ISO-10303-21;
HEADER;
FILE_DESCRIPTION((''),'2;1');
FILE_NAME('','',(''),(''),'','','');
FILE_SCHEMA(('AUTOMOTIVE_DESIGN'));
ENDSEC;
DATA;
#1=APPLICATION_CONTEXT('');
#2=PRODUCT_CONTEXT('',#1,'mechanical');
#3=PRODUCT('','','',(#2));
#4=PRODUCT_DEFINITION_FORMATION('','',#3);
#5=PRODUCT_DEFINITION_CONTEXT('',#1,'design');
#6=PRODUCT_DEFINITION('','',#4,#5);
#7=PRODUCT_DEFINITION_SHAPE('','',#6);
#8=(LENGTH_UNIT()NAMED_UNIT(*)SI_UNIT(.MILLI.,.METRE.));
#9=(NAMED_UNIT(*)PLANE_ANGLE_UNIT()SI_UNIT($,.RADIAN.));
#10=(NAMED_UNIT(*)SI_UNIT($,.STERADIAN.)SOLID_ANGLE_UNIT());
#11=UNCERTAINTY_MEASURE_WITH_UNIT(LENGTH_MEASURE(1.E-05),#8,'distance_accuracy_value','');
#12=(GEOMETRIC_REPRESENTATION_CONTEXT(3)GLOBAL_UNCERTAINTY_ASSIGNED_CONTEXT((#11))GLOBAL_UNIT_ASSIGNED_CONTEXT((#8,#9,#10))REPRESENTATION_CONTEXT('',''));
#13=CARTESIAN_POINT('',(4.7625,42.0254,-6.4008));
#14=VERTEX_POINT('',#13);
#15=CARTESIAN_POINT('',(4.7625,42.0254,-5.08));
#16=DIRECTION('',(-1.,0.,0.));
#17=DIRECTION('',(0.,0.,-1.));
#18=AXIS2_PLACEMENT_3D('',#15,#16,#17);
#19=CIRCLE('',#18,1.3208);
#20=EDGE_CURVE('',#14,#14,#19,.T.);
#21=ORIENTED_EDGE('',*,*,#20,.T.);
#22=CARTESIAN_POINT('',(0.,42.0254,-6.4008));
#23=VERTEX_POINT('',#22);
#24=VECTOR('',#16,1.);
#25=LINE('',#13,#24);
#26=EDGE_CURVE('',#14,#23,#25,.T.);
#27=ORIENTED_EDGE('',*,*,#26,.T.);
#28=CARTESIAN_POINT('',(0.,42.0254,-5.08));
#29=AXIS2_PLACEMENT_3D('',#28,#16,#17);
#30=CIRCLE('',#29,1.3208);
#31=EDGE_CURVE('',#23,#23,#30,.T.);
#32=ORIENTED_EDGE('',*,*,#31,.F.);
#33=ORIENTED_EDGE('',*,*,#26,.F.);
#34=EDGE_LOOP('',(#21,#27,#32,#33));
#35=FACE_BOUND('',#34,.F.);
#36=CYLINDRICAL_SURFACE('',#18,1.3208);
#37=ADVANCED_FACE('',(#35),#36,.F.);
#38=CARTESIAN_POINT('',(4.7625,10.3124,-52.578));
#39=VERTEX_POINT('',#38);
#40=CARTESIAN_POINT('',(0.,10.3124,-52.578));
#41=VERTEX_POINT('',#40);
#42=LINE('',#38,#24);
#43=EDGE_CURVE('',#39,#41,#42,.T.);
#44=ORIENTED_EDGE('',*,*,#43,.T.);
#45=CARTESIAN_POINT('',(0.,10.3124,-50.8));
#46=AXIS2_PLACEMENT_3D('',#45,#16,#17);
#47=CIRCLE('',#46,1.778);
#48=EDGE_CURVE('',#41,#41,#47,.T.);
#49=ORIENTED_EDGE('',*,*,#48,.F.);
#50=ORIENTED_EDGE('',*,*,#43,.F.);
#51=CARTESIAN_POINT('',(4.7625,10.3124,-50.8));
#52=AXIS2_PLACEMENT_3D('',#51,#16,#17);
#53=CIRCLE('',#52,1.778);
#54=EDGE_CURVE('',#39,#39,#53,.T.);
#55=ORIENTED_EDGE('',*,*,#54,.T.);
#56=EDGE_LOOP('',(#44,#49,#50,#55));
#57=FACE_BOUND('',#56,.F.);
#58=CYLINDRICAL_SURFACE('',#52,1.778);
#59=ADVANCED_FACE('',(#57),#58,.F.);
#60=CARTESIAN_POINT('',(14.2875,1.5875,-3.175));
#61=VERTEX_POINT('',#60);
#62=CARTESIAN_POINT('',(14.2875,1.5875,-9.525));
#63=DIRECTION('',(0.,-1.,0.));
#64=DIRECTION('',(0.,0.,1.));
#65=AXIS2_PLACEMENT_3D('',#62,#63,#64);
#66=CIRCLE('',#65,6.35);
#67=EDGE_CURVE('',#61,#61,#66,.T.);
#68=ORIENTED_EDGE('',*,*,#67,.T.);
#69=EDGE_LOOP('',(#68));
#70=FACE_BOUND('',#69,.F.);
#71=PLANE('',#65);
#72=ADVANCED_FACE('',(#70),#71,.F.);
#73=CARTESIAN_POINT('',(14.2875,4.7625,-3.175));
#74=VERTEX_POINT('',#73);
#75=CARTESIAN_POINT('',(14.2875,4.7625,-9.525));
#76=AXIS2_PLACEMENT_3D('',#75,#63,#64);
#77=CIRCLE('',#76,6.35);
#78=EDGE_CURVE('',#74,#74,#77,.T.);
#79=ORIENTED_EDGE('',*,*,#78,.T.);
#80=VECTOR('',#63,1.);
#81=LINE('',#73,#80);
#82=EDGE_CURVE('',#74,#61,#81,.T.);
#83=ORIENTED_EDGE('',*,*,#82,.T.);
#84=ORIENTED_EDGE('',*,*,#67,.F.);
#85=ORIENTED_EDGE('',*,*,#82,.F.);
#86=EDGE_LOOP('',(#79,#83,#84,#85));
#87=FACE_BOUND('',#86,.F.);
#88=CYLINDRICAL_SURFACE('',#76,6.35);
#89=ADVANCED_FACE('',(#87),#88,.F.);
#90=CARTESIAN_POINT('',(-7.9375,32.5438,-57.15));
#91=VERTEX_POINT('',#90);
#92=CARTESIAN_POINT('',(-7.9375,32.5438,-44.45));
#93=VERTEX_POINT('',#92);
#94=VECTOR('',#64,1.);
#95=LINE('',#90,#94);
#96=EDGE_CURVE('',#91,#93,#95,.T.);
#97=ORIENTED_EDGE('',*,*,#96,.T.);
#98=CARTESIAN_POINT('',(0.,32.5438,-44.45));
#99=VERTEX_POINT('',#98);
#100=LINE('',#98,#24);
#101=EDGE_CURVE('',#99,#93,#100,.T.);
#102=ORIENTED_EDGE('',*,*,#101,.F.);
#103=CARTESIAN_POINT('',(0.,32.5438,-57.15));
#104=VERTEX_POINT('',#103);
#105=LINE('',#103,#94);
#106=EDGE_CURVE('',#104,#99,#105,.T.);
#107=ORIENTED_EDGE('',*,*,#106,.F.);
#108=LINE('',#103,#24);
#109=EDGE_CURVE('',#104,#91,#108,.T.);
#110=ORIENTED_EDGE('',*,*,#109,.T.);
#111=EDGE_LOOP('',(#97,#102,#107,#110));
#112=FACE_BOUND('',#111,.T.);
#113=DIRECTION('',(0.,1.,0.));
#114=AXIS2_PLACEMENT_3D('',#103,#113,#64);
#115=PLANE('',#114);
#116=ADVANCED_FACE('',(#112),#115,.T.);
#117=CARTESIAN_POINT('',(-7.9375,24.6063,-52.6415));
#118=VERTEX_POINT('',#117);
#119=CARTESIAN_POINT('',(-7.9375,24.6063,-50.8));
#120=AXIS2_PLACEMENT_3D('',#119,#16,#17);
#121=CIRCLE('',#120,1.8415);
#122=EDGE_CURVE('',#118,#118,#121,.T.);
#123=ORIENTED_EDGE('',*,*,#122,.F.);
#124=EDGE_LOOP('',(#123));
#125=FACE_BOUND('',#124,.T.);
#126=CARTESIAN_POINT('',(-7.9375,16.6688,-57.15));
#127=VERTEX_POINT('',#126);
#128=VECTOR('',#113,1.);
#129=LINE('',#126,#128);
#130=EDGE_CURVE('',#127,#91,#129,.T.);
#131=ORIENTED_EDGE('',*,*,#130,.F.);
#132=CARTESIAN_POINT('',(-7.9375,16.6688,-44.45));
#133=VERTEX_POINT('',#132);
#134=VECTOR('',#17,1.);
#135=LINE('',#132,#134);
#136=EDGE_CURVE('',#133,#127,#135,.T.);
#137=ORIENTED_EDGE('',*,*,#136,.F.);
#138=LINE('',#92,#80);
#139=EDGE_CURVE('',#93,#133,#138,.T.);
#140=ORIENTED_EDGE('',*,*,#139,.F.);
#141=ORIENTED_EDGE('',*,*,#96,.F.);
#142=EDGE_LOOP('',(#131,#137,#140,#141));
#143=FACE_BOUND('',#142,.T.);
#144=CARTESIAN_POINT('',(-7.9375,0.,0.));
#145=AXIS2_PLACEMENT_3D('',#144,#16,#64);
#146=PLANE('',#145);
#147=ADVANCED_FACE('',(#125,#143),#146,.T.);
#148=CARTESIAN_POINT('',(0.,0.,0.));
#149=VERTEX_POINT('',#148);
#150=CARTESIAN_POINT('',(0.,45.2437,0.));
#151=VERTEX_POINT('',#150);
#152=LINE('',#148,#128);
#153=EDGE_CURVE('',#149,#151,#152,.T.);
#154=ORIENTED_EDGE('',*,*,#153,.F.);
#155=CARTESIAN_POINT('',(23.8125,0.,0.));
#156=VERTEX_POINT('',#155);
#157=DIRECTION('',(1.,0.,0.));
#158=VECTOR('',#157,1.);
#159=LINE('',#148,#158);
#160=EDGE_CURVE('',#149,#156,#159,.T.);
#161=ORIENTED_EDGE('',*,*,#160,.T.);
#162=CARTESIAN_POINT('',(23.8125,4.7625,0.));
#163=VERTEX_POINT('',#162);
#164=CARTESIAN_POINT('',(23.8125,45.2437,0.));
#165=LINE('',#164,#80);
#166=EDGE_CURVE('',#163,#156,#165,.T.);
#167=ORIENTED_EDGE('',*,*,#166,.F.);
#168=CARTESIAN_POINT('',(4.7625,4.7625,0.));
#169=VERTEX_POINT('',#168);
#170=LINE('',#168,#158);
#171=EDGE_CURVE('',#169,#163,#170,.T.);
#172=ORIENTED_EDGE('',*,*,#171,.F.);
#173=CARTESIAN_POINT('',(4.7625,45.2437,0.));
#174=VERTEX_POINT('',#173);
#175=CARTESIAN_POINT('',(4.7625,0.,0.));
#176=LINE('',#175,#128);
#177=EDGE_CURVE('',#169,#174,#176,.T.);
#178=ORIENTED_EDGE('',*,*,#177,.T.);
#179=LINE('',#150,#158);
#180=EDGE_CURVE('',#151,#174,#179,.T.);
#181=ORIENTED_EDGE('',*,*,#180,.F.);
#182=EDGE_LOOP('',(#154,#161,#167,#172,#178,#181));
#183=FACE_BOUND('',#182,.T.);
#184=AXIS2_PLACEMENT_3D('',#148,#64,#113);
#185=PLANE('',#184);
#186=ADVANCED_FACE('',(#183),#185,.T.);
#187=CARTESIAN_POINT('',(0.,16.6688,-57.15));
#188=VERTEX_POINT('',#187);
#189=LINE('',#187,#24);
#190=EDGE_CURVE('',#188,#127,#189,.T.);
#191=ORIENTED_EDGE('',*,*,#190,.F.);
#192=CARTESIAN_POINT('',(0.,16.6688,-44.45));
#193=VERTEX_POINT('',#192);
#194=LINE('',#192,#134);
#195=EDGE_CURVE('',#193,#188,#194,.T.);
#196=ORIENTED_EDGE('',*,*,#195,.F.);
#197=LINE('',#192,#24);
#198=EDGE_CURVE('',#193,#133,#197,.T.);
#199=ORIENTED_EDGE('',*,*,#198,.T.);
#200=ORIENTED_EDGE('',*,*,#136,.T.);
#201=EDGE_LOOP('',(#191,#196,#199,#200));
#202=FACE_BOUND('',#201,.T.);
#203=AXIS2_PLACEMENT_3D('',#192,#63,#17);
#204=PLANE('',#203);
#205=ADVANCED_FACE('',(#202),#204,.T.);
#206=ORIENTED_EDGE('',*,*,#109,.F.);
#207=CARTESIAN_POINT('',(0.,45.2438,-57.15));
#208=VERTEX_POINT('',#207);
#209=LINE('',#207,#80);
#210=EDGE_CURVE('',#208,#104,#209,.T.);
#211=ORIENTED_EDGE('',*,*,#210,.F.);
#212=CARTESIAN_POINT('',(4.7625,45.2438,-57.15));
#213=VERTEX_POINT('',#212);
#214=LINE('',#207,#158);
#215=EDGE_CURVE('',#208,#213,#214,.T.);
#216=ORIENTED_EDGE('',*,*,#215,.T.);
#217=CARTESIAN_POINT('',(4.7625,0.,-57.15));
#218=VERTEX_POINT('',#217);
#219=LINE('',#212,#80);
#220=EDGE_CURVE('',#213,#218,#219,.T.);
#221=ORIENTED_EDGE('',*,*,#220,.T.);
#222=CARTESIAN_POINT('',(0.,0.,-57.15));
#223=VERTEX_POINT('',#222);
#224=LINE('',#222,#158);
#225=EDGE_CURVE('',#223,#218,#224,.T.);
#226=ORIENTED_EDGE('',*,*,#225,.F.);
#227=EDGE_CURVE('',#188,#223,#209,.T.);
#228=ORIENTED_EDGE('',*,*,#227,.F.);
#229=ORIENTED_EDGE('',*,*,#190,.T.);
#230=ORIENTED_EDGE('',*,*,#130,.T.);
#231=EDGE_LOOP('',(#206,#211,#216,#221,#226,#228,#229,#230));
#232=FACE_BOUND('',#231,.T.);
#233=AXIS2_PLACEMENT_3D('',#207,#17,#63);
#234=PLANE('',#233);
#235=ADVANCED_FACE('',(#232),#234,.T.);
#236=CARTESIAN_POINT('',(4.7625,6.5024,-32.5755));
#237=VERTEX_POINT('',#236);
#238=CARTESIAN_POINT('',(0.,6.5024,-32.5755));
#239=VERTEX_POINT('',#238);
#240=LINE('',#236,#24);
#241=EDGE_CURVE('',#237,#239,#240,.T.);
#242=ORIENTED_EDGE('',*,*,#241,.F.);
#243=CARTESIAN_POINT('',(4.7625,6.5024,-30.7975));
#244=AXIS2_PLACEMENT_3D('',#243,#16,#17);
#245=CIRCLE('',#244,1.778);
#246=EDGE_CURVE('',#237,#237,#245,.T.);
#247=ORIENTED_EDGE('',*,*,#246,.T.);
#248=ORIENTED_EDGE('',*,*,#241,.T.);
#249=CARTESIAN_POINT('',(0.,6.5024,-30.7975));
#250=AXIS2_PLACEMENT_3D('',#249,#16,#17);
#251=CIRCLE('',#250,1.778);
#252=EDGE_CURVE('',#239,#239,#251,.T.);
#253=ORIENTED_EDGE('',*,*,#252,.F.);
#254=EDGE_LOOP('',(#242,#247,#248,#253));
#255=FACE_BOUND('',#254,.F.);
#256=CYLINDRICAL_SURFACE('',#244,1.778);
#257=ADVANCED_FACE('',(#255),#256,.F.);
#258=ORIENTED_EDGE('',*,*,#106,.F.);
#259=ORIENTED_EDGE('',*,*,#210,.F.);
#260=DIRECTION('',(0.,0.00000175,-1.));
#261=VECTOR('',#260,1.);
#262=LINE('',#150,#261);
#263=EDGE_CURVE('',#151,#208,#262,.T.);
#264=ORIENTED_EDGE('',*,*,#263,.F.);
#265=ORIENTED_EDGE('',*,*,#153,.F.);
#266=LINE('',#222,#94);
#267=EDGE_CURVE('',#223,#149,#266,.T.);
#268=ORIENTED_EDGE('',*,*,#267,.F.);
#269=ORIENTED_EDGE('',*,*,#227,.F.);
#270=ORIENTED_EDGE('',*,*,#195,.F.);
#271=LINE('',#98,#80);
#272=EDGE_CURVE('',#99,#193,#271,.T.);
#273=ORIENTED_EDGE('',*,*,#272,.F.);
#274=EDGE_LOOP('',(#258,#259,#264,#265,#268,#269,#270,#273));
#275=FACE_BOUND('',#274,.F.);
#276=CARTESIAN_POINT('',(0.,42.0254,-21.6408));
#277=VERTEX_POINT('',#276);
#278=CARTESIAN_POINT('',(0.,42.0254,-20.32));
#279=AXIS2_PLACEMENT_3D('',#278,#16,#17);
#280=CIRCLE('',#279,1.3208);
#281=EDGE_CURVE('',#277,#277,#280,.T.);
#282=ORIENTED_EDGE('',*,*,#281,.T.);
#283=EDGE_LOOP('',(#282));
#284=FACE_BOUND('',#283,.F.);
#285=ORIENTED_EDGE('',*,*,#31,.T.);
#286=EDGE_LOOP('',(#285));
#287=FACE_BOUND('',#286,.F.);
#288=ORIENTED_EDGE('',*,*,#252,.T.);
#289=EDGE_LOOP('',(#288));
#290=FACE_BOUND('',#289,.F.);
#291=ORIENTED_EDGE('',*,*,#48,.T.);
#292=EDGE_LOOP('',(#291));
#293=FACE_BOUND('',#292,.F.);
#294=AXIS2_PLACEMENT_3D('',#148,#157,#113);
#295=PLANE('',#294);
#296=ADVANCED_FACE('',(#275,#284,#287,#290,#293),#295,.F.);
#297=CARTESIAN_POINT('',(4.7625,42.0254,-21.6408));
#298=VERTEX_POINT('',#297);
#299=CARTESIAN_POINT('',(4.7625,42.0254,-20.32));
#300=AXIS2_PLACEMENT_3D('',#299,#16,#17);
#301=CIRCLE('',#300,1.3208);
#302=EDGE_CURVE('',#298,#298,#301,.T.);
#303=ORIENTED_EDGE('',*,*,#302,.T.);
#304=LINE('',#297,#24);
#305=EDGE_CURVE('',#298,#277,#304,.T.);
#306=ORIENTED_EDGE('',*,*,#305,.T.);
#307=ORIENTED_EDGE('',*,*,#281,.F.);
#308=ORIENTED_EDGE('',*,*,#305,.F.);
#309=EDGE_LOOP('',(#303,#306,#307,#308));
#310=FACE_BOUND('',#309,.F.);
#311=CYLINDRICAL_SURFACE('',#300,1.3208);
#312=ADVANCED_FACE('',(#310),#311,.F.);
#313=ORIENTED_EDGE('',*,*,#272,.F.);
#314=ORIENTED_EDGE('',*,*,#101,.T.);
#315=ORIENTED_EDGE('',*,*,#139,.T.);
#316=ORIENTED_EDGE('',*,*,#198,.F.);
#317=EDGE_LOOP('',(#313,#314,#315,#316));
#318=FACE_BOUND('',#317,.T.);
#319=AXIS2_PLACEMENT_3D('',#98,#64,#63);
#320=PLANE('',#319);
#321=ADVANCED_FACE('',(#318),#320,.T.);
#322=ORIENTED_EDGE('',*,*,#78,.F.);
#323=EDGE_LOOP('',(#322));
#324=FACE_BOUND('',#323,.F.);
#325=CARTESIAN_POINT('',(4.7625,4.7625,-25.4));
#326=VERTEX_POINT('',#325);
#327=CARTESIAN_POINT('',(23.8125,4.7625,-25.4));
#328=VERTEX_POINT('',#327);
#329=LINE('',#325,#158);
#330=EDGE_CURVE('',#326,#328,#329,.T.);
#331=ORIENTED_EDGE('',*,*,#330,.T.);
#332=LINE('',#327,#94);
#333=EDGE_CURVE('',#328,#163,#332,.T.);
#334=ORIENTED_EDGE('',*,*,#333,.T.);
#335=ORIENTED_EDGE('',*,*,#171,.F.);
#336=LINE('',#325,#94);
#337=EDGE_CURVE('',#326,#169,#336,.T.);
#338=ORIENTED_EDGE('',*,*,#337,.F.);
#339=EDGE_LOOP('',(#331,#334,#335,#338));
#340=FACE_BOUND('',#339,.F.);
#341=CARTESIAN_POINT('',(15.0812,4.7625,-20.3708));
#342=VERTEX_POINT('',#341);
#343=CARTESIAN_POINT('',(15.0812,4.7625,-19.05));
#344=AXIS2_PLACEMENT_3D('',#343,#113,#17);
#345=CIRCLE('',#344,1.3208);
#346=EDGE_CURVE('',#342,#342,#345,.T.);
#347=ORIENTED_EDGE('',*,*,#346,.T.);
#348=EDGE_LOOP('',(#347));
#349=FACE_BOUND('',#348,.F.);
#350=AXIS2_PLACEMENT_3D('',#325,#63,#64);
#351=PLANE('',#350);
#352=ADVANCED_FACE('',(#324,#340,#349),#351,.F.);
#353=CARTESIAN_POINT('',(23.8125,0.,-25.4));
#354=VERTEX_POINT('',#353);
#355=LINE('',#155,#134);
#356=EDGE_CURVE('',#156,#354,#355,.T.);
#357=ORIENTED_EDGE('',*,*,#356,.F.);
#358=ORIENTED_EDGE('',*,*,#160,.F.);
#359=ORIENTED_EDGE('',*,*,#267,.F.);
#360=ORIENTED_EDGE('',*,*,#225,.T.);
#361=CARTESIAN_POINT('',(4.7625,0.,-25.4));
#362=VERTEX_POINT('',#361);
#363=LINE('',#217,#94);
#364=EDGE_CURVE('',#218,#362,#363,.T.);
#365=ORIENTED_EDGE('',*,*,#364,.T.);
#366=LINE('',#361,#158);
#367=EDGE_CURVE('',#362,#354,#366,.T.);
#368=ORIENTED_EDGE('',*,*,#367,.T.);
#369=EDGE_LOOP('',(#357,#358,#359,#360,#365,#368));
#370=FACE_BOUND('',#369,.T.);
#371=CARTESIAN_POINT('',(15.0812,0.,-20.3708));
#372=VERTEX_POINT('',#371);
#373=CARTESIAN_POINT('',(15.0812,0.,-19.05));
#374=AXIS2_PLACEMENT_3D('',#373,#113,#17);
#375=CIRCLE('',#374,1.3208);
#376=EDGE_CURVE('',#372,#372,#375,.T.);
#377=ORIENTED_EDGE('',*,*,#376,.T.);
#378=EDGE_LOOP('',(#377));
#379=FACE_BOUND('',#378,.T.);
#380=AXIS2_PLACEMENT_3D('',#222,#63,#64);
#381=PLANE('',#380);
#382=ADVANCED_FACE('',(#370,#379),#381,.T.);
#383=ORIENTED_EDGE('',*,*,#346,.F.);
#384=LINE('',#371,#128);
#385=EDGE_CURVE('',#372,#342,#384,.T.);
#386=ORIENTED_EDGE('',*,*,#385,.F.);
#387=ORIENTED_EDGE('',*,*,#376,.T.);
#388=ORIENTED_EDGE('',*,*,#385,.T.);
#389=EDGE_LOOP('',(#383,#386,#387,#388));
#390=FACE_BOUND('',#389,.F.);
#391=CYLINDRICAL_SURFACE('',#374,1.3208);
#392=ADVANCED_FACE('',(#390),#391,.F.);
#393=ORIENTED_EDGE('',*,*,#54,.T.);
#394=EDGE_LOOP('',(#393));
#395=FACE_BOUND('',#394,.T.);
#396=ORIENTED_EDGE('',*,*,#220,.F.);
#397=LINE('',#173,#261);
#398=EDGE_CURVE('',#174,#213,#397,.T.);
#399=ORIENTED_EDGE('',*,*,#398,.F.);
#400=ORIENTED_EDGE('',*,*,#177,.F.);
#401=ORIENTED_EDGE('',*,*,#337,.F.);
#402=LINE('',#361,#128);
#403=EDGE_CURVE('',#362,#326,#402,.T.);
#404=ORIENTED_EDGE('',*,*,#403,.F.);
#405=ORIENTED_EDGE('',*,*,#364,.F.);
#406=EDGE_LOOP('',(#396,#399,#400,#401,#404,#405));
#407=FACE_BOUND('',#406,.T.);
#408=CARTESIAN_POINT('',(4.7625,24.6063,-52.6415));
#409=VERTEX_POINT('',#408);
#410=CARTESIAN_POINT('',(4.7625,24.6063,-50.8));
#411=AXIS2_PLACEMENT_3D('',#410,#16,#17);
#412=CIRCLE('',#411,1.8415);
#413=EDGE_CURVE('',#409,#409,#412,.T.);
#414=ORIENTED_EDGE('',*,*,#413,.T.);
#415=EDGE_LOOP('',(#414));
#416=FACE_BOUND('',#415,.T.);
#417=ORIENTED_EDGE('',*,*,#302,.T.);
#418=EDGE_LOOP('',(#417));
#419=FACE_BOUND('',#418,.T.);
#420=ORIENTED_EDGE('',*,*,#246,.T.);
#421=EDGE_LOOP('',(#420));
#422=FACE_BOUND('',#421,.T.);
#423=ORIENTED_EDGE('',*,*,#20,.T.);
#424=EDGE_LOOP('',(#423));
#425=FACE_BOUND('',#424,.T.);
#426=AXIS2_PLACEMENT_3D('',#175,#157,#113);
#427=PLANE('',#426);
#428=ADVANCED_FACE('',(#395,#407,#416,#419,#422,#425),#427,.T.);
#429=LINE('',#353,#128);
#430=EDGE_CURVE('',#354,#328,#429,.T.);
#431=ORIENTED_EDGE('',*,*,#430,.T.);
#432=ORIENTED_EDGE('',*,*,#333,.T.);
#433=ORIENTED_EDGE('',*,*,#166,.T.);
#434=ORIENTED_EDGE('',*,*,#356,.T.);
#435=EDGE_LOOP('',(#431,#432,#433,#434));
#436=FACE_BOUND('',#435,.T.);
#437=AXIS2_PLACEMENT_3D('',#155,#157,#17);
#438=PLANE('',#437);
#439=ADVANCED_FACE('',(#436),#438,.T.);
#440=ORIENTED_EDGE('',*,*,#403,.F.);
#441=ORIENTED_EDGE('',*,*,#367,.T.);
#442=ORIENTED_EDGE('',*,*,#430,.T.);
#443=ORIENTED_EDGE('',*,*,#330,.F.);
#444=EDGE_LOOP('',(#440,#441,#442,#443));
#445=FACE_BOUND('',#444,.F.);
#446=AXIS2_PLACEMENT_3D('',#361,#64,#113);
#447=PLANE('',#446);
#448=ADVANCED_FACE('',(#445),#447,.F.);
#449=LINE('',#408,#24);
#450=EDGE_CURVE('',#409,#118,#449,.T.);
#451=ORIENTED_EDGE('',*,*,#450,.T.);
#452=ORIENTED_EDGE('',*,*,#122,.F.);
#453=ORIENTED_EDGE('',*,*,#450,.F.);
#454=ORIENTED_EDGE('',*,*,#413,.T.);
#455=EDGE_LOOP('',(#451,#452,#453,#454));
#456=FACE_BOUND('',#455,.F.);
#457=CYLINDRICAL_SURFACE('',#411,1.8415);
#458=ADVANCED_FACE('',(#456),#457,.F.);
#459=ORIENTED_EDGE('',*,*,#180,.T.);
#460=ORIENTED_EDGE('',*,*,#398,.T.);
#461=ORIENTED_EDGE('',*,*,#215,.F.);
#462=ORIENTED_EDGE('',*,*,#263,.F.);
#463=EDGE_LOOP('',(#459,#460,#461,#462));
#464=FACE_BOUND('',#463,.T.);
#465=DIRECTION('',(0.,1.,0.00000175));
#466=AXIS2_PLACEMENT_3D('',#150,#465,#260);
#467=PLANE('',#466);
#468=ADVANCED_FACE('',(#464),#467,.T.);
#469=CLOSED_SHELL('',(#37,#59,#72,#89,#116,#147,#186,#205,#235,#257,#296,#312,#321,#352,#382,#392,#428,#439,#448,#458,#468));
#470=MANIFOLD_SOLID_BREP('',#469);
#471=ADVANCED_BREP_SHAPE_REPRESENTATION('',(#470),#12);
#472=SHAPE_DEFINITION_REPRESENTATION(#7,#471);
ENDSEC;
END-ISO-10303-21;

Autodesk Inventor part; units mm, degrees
ref_plane "YZ Plane" through (0, 0, 0) normal (1, 0, 0) x (0, 1, 0)
ref_plane "XZ Plane" through (0, 0, 0) normal (0, 1, 0) x (-1, 0, 0)
ref_plane "XY Plane" through (0, 0, 0) normal (0, 0, 1) x (1, 0, 0)
sketch "Sketch1" plane through (0, 0, 0) normal (1, 0, 0) x (0, 1, 0)
  line L0 (0, 0) -> (45.2437, 0)
  line L1 (45.2437, 0) -> (45.2438, -57.15)
  line L2 (45.2438, -57.15) -> (0, -57.15)
  line L3 (0, -57.15) -> (0, 0)
  dimension "d0" = 45.2437
  dimension "d1" = 57.15
extrude "Extrusion1" add sketch "Sketch1" along normal blind 4.7625
sketch "Sketch3" plane through (4.7625, 0, 0) normal (1, 0, 0) x (0, 0, -1)
  line L0 (0, 45.2437) -> (0, 0)
  line L1 (0, 0) -> (57.15, 0)
  line L2 (57.15, 0) -> (57.15, 45.2438)
  line L3 (57.15, 45.2438) -> (0, 45.2437)
  line L4 (0, 0) -> (25.4, 0)
  line L5 (25.4, 0) -> (25.4, 4.7625)
  line L6 (25.4, 4.7625) -> (0, 4.7625)
  line L7 (0, 4.7625) -> (0, 0)
  dimension "d8" = 4.7625
extrude "Extrusion3" add sketch "Sketch3" along normal blind 19.05 contours L6 L5 L1 L0
sketch "Sketch4" plane through (0, 0, 0) normal (-1, 0, 0) x (0, 0, 1)
  line L0 (0, 0) -> (0, 45.2437)
  line L1 (0, 45.2437) -> (-57.15, 45.2438)
  line L2 (-57.15, 45.2438) -> (-57.15, 0)
  line L3 (-57.15, 0) -> (0, 0)
  line L4 (-57.15, 45.2438) -> (0, 45.2437)
  line L5 (-57.15, 45.2438) -> (-44.45, 45.2438)
  line L6 (-57.15, 29.3688) -> (-57.15, 45.2438)
  line L7 (-57.15, 0) -> (-57.15, 45.2438)
  line L8 (-57.15, 32.5438) -> (-44.45, 32.5438)
  line L9 (-44.45, 32.5438) -> (-44.45, 16.6688)
  line L10 (-44.45, 16.6688) -> (-57.15, 16.6688)
  line L11 (-57.15, 16.6688) -> (-57.15, 32.5438)
  point P0 (-12.7, 45.2437)
  dimension "d48" = 15.875
  dimension "d49" = 12.7
  dimension "d50" = 12.7
extrude "Extrusion4" add sketch "Sketch4" along normal blind 7.9375 contours L2 L8 L9 L10
sketch "Sketch5" plane through (4.7625, 0, 0) normal (1, 0, 0) x (0, 0, -1)
  line L0 (25.4, 4.7625) -> (25.4, 0)
  line L1 (25.4, 0) -> (57.15, 0)
  line L2 (57.15, 0) -> (57.15, 45.2438)
  line L3 (57.15, 45.2438) -> (0, 45.2437)
  line L4 (0, 45.2437) -> (0, 4.7625)
  line L5 (0, 4.7625) -> (25.4, 4.7625)
  line L6 (0, 45.2437) -> (0, 40.4812)
  line L7 (0, 40.4812) -> (12.7, 40.4812)
  line L8 (12.7, 40.4812) -> (12.7, 45.2437)
  line L9 (12.7, 45.2437) -> (0, 45.2437)
  point P0 (0, 0)
  point P1 (50.8, 24.6063)
  dimension "d16" = 20.6375
  dimension "d17" = 6.35
hole "Hole1" at (4.7625, 24.6063, -50.8) direction (-1, 0, 0) diameter 3.683 depth 14.9352 tip angle 118
sketch "Sketch6" plane through (4.7625, 4.7625, 0) normal (0, 1, 0) x (1, 0, 0)
  line L0 (0, 0) -> (0, 25.4)
  line L1 (0, 0) -> (19.05, 0)
  line L2 (19.05, 25.4) -> (19.05, 0)
  line L3 (0, 25.4) -> (19.05, 25.4)
  point P0 (-4.7625, 0)
  point P1 (9.525, 9.525)
  dimension "d25" = 9.525
  dimension "d26" = 9.525
hole "Hole2" at (14.2875, 4.7625, -9.525) direction (0, -1, 0) diameter 12.7 depth 3.175
sketch "Sketch10" plane through (0, 45.2438, 0) normal (0, 1, 0) x (1, 0, 0)
  line L0 (0, 0) -> (0, 57.15)
  line L1 (0, 0) -> (4.7625, 0)
  line L2 (4.7625, 57.15) -> (4.7625, 0)
  line L3 (0, 57.15) -> (4.7625, 57.15)
  point P0 (0, 0)
  point P1 (11.1125, 6.35)
hole "Hole3" at (11.1125, 45.2438, -6.35) direction (0, -1, 0) diameter 2.6416 depth 10.9728 tip angle 118
sketch "Sketch11" plane through (0, 0, -57.15) normal (0, -1, 0) x (1, 0, 0)
  line L0 (0, 0) -> (0, 57.15)
  line L1 (0, 0) -> (4.7625, 0)
  line L2 (4.7625, 31.75) -> (4.7625, 0)
  line L3 (4.7625, 31.75) -> (23.8125, 31.75)
  line L4 (23.8125, 57.15) -> (23.8125, 31.75)
  line L5 (0, 57.15) -> (23.8125, 57.15)
  point P0 (15.0812, 38.1)
  dimension "d58" = 6.35
hole "Hole4" at (15.0812, 0, -19.05) direction (0, 1, 0) diameter 2.6416 end through all
sketch "Sketch12" plane through (4.7625, 0, 0) normal (1, 0, 0) x (0, 0, -1)
  circle A0 centre (50.8, 24.6063) radius 1.8415
  line L0 (25.4, 4.7625) -> (25.4, 0)
  line L1 (25.4, 0) -> (57.15, 0)
  line L2 (57.15, 0) -> (57.15, 45.2438)
  line L3 (57.15, 45.2438) -> (0, 45.2437)
  line L4 (0, 45.2437) -> (0, 4.7625)
  line L5 (0, 4.7625) -> (25.4, 4.7625)
  point P0 (0, 0)
  point P1 (50.8, 10.3124)
  point P2 (30.7975, 6.5024)
  dimension "d66" = 6.35
  dimension "d67" = 10.3124
  dimension "d68" = 6.5024
  dimension "d69" = 26.3525
hole "Hole5" at (4.7625, 10.3124, -50.8) at (4.7625, 6.5024, -30.7975) direction (-1, 0, 0) diameter 3.556 end through all
sketch "Sketch13" plane through (4.7625, 0, 0) normal (1, 0, 0) x (0, 0, -1)
  line L0 (0, 45.2437) -> (0, 4.7625)
  point P0 (0, 0)
  point P1 (5.08, 42.0254)
  point P2 (20.32, 42.0254)
  dimension "d77" = 5.08
  dimension "d78" = 15.24
hole "Hole6" at (4.7625, 42.0254, -5.08) at (4.7625, 42.0254, -20.32) direction (-1, 0, 0) diameter 2.6416 end through all
properties part number "WheelIntake4.0Base"
